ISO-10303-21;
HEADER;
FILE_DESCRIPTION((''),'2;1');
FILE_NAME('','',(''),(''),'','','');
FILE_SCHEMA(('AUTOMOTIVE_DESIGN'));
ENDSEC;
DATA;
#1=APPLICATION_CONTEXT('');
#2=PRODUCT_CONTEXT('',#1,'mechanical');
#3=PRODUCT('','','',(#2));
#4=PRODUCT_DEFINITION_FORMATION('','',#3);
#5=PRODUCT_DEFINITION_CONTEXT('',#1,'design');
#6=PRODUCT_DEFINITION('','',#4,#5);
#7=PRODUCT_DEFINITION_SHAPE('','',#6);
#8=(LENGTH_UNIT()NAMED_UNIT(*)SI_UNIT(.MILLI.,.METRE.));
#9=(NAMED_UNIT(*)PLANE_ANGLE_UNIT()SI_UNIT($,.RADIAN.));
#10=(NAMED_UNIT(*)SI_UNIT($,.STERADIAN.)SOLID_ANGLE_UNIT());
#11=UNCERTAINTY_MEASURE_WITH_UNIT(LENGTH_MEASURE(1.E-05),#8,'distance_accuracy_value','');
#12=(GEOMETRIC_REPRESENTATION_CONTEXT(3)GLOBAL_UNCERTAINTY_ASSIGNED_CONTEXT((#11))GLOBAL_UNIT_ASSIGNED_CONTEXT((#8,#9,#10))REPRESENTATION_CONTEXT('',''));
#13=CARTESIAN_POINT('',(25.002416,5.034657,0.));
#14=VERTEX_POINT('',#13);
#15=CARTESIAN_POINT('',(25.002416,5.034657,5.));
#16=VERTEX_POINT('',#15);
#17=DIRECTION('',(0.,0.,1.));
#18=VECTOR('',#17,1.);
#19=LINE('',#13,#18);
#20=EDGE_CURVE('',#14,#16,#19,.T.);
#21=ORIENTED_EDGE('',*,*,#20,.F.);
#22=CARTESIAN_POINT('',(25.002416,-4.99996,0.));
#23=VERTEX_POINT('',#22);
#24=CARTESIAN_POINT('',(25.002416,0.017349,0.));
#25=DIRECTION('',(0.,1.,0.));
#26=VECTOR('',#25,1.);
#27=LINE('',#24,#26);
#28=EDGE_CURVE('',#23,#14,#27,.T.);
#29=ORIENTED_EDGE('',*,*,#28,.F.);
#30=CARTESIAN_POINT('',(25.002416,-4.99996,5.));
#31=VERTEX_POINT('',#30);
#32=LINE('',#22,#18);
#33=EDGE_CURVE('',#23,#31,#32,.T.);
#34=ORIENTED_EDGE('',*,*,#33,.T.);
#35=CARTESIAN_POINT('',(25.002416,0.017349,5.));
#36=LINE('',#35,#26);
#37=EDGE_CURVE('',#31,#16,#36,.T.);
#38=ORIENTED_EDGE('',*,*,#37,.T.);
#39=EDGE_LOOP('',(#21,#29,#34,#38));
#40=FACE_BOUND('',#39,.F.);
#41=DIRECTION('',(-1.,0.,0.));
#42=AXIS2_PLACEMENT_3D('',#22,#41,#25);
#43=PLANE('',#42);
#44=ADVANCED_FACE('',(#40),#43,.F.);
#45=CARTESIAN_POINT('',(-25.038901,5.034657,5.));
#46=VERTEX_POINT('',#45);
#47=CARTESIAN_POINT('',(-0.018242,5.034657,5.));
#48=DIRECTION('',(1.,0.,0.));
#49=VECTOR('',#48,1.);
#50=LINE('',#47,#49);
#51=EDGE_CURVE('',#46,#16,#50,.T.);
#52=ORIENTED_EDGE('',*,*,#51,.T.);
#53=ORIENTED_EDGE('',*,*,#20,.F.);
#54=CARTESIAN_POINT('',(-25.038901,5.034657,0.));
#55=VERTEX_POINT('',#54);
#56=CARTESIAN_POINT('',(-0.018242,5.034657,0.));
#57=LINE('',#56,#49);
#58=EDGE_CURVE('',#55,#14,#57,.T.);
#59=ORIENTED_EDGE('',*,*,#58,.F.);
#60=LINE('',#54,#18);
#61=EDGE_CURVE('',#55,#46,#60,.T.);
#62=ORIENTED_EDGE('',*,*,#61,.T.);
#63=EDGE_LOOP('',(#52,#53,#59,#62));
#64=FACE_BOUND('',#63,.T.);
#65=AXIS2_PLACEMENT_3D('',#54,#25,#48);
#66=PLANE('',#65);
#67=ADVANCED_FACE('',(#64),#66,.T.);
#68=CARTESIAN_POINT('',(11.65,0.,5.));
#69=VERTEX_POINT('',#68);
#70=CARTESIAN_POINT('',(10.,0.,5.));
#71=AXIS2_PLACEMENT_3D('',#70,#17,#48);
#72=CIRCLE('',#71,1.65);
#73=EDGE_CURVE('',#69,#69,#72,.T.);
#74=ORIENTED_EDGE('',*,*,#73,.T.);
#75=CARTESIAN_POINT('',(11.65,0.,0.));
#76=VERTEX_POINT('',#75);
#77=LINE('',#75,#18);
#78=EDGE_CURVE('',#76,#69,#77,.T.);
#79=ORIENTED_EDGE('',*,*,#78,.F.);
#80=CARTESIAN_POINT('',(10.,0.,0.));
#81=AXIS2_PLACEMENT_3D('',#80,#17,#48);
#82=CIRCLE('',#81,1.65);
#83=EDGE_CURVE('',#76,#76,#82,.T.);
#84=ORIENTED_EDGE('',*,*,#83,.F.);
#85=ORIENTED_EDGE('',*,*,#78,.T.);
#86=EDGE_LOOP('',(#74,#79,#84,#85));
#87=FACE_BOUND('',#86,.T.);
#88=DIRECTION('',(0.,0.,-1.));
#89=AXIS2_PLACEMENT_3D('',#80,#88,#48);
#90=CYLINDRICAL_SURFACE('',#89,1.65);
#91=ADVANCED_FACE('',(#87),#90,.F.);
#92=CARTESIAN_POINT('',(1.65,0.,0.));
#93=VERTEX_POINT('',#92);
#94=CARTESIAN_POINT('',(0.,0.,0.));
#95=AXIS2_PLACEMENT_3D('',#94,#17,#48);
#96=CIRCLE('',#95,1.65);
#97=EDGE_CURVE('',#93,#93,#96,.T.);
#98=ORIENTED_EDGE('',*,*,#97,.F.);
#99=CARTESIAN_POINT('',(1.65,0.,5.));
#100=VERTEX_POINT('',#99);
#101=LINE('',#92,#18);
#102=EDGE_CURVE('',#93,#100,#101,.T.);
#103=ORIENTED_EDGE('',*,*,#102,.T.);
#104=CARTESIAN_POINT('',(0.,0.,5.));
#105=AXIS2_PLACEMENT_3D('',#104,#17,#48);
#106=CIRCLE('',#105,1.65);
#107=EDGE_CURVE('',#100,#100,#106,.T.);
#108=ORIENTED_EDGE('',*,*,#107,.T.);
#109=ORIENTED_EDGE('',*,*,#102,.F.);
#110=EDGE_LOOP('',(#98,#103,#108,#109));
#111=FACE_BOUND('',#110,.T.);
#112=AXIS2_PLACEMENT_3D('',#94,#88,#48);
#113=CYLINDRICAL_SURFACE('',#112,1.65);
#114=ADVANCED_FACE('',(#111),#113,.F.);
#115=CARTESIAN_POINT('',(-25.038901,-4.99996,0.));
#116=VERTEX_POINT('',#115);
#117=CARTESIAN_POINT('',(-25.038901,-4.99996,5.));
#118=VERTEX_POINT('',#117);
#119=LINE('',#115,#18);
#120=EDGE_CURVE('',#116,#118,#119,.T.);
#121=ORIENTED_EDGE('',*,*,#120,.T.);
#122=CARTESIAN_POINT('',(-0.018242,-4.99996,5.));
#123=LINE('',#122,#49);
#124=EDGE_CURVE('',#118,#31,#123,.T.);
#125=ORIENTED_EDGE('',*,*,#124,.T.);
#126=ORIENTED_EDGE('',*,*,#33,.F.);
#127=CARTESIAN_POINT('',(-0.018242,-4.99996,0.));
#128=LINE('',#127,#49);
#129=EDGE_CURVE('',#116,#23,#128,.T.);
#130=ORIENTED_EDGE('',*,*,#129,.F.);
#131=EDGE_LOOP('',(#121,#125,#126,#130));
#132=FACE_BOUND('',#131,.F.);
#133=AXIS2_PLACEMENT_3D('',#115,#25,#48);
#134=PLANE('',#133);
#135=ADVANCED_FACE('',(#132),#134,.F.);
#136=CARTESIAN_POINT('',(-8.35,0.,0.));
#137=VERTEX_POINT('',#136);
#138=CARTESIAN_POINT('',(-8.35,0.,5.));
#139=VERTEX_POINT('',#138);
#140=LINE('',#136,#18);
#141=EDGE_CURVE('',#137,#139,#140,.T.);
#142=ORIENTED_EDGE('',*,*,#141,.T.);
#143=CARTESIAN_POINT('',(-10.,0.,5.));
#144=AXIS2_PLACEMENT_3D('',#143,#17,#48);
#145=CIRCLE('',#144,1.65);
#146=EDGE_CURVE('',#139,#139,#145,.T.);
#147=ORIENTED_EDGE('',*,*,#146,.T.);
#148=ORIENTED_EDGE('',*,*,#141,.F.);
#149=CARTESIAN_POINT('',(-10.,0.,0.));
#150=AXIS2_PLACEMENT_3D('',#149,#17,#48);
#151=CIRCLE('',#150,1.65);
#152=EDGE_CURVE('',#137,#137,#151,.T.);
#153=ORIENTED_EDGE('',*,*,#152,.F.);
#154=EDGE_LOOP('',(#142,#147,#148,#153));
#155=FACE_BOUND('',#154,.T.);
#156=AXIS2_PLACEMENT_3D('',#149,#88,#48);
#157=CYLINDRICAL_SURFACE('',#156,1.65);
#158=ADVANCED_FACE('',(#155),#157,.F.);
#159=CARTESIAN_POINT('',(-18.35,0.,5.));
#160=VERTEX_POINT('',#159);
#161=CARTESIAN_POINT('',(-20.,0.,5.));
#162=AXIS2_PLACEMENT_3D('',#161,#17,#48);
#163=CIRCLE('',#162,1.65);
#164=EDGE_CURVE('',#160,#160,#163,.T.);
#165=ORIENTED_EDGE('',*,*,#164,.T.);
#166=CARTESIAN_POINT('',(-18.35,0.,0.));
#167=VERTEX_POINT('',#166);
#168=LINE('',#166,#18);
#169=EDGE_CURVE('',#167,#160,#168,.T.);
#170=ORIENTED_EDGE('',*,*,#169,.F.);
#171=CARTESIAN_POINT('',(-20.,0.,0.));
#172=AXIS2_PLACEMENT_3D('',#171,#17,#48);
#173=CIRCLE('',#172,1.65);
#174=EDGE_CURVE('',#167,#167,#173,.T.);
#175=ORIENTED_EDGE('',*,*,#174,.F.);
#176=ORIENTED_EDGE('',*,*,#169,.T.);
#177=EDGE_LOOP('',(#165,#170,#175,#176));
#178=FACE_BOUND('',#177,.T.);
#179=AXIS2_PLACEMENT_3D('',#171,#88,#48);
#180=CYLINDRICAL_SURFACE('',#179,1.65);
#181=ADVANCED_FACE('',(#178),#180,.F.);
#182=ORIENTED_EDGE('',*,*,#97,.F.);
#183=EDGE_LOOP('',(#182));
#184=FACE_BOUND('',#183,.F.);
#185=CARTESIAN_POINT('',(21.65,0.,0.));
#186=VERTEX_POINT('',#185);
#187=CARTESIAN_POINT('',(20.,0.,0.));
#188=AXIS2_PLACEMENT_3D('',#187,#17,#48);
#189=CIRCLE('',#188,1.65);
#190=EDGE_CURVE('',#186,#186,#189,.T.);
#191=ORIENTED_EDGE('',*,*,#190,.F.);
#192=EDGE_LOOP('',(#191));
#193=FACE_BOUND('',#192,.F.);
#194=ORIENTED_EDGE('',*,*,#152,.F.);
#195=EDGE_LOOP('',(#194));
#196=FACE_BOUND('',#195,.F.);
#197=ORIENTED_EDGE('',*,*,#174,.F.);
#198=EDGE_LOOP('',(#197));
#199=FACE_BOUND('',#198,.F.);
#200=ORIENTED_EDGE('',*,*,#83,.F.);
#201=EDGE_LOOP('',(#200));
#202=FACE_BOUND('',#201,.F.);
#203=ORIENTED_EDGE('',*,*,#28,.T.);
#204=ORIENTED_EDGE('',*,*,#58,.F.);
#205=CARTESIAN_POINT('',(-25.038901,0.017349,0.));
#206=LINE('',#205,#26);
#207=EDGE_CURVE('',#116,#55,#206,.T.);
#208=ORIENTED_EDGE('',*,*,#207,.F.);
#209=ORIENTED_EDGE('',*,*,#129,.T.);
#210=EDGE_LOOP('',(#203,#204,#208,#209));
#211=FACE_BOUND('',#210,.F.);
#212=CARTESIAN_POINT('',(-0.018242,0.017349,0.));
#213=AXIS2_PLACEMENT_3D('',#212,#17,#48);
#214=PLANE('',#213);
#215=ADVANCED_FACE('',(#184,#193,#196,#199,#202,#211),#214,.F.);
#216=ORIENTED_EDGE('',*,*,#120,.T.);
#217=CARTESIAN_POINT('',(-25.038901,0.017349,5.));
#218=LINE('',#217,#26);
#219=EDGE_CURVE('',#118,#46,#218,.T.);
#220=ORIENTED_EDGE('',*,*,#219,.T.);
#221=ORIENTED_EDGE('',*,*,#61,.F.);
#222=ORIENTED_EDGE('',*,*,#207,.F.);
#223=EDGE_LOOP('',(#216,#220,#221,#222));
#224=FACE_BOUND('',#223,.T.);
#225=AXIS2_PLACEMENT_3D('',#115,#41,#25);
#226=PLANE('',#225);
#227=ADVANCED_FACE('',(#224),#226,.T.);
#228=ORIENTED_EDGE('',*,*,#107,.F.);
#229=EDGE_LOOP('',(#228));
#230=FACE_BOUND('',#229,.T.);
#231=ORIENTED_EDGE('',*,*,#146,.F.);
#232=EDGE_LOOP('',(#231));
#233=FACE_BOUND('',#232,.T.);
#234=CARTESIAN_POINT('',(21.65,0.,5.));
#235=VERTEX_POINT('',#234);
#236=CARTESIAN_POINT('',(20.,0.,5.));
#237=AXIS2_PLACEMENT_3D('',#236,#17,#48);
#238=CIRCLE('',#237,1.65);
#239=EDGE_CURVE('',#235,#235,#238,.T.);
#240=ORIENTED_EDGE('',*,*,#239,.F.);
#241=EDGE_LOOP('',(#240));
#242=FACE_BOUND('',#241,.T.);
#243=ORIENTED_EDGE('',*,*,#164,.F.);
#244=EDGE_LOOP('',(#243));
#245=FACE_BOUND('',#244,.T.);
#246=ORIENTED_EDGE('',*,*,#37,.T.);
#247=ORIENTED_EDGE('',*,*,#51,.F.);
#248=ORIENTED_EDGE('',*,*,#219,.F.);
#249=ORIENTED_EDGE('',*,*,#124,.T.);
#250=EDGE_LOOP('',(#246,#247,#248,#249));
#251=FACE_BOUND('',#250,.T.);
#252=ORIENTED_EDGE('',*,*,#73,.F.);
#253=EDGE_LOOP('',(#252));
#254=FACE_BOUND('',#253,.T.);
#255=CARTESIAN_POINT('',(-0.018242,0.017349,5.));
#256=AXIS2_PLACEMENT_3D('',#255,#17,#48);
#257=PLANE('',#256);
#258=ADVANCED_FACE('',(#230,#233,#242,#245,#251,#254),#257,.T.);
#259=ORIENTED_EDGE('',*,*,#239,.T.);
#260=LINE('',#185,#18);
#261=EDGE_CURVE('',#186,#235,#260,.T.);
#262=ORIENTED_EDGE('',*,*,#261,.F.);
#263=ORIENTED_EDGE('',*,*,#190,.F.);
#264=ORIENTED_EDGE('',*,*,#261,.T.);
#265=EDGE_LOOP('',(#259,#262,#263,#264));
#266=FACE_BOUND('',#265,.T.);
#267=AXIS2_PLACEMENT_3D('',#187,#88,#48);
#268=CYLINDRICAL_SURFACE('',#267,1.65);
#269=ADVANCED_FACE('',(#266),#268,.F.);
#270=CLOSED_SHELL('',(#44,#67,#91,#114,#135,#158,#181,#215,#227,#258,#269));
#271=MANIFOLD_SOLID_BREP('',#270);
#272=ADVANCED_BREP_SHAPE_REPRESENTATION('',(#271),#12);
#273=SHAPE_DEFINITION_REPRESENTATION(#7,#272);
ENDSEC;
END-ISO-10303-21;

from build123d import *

# Parameters (mm, degrees)
SKETCH_R         = 1.65
EXTRUDE_DEPTH    = 5
SKETCH001_W      = 50.041317
SKETCH001_H      = 10.034617
EXTRUDE001_DEPTH = 5


with BuildPart() as extrude_body:
    # Sketch → Extrude (new body)
    with BuildSketch(Plane.XY):
        Circle(SKETCH_R)
        with Locations((-10, 0)):
            Circle(SKETCH_R)
        with Locations((-20, 0)):
            Circle(SKETCH_R)
        with Locations((10, 0)):
            Circle(SKETCH_R)
        with Locations((20, 0)):
            Circle(SKETCH_R)
    extrude(amount=EXTRUDE_DEPTH)


with BuildPart() as cut:
    # Sketch001 → Extrude001 (new body)
    with BuildSketch(Plane.XY):
        with Locations((-0.018242, 0.017349)):
            Rectangle(SKETCH001_W, SKETCH001_H)
    extrude(amount=EXTRUDE001_DEPTH)

    # Cut: cut Extrude body
    add(extrude_body.part, mode=Mode.SUBTRACT)


solid = cut.part
